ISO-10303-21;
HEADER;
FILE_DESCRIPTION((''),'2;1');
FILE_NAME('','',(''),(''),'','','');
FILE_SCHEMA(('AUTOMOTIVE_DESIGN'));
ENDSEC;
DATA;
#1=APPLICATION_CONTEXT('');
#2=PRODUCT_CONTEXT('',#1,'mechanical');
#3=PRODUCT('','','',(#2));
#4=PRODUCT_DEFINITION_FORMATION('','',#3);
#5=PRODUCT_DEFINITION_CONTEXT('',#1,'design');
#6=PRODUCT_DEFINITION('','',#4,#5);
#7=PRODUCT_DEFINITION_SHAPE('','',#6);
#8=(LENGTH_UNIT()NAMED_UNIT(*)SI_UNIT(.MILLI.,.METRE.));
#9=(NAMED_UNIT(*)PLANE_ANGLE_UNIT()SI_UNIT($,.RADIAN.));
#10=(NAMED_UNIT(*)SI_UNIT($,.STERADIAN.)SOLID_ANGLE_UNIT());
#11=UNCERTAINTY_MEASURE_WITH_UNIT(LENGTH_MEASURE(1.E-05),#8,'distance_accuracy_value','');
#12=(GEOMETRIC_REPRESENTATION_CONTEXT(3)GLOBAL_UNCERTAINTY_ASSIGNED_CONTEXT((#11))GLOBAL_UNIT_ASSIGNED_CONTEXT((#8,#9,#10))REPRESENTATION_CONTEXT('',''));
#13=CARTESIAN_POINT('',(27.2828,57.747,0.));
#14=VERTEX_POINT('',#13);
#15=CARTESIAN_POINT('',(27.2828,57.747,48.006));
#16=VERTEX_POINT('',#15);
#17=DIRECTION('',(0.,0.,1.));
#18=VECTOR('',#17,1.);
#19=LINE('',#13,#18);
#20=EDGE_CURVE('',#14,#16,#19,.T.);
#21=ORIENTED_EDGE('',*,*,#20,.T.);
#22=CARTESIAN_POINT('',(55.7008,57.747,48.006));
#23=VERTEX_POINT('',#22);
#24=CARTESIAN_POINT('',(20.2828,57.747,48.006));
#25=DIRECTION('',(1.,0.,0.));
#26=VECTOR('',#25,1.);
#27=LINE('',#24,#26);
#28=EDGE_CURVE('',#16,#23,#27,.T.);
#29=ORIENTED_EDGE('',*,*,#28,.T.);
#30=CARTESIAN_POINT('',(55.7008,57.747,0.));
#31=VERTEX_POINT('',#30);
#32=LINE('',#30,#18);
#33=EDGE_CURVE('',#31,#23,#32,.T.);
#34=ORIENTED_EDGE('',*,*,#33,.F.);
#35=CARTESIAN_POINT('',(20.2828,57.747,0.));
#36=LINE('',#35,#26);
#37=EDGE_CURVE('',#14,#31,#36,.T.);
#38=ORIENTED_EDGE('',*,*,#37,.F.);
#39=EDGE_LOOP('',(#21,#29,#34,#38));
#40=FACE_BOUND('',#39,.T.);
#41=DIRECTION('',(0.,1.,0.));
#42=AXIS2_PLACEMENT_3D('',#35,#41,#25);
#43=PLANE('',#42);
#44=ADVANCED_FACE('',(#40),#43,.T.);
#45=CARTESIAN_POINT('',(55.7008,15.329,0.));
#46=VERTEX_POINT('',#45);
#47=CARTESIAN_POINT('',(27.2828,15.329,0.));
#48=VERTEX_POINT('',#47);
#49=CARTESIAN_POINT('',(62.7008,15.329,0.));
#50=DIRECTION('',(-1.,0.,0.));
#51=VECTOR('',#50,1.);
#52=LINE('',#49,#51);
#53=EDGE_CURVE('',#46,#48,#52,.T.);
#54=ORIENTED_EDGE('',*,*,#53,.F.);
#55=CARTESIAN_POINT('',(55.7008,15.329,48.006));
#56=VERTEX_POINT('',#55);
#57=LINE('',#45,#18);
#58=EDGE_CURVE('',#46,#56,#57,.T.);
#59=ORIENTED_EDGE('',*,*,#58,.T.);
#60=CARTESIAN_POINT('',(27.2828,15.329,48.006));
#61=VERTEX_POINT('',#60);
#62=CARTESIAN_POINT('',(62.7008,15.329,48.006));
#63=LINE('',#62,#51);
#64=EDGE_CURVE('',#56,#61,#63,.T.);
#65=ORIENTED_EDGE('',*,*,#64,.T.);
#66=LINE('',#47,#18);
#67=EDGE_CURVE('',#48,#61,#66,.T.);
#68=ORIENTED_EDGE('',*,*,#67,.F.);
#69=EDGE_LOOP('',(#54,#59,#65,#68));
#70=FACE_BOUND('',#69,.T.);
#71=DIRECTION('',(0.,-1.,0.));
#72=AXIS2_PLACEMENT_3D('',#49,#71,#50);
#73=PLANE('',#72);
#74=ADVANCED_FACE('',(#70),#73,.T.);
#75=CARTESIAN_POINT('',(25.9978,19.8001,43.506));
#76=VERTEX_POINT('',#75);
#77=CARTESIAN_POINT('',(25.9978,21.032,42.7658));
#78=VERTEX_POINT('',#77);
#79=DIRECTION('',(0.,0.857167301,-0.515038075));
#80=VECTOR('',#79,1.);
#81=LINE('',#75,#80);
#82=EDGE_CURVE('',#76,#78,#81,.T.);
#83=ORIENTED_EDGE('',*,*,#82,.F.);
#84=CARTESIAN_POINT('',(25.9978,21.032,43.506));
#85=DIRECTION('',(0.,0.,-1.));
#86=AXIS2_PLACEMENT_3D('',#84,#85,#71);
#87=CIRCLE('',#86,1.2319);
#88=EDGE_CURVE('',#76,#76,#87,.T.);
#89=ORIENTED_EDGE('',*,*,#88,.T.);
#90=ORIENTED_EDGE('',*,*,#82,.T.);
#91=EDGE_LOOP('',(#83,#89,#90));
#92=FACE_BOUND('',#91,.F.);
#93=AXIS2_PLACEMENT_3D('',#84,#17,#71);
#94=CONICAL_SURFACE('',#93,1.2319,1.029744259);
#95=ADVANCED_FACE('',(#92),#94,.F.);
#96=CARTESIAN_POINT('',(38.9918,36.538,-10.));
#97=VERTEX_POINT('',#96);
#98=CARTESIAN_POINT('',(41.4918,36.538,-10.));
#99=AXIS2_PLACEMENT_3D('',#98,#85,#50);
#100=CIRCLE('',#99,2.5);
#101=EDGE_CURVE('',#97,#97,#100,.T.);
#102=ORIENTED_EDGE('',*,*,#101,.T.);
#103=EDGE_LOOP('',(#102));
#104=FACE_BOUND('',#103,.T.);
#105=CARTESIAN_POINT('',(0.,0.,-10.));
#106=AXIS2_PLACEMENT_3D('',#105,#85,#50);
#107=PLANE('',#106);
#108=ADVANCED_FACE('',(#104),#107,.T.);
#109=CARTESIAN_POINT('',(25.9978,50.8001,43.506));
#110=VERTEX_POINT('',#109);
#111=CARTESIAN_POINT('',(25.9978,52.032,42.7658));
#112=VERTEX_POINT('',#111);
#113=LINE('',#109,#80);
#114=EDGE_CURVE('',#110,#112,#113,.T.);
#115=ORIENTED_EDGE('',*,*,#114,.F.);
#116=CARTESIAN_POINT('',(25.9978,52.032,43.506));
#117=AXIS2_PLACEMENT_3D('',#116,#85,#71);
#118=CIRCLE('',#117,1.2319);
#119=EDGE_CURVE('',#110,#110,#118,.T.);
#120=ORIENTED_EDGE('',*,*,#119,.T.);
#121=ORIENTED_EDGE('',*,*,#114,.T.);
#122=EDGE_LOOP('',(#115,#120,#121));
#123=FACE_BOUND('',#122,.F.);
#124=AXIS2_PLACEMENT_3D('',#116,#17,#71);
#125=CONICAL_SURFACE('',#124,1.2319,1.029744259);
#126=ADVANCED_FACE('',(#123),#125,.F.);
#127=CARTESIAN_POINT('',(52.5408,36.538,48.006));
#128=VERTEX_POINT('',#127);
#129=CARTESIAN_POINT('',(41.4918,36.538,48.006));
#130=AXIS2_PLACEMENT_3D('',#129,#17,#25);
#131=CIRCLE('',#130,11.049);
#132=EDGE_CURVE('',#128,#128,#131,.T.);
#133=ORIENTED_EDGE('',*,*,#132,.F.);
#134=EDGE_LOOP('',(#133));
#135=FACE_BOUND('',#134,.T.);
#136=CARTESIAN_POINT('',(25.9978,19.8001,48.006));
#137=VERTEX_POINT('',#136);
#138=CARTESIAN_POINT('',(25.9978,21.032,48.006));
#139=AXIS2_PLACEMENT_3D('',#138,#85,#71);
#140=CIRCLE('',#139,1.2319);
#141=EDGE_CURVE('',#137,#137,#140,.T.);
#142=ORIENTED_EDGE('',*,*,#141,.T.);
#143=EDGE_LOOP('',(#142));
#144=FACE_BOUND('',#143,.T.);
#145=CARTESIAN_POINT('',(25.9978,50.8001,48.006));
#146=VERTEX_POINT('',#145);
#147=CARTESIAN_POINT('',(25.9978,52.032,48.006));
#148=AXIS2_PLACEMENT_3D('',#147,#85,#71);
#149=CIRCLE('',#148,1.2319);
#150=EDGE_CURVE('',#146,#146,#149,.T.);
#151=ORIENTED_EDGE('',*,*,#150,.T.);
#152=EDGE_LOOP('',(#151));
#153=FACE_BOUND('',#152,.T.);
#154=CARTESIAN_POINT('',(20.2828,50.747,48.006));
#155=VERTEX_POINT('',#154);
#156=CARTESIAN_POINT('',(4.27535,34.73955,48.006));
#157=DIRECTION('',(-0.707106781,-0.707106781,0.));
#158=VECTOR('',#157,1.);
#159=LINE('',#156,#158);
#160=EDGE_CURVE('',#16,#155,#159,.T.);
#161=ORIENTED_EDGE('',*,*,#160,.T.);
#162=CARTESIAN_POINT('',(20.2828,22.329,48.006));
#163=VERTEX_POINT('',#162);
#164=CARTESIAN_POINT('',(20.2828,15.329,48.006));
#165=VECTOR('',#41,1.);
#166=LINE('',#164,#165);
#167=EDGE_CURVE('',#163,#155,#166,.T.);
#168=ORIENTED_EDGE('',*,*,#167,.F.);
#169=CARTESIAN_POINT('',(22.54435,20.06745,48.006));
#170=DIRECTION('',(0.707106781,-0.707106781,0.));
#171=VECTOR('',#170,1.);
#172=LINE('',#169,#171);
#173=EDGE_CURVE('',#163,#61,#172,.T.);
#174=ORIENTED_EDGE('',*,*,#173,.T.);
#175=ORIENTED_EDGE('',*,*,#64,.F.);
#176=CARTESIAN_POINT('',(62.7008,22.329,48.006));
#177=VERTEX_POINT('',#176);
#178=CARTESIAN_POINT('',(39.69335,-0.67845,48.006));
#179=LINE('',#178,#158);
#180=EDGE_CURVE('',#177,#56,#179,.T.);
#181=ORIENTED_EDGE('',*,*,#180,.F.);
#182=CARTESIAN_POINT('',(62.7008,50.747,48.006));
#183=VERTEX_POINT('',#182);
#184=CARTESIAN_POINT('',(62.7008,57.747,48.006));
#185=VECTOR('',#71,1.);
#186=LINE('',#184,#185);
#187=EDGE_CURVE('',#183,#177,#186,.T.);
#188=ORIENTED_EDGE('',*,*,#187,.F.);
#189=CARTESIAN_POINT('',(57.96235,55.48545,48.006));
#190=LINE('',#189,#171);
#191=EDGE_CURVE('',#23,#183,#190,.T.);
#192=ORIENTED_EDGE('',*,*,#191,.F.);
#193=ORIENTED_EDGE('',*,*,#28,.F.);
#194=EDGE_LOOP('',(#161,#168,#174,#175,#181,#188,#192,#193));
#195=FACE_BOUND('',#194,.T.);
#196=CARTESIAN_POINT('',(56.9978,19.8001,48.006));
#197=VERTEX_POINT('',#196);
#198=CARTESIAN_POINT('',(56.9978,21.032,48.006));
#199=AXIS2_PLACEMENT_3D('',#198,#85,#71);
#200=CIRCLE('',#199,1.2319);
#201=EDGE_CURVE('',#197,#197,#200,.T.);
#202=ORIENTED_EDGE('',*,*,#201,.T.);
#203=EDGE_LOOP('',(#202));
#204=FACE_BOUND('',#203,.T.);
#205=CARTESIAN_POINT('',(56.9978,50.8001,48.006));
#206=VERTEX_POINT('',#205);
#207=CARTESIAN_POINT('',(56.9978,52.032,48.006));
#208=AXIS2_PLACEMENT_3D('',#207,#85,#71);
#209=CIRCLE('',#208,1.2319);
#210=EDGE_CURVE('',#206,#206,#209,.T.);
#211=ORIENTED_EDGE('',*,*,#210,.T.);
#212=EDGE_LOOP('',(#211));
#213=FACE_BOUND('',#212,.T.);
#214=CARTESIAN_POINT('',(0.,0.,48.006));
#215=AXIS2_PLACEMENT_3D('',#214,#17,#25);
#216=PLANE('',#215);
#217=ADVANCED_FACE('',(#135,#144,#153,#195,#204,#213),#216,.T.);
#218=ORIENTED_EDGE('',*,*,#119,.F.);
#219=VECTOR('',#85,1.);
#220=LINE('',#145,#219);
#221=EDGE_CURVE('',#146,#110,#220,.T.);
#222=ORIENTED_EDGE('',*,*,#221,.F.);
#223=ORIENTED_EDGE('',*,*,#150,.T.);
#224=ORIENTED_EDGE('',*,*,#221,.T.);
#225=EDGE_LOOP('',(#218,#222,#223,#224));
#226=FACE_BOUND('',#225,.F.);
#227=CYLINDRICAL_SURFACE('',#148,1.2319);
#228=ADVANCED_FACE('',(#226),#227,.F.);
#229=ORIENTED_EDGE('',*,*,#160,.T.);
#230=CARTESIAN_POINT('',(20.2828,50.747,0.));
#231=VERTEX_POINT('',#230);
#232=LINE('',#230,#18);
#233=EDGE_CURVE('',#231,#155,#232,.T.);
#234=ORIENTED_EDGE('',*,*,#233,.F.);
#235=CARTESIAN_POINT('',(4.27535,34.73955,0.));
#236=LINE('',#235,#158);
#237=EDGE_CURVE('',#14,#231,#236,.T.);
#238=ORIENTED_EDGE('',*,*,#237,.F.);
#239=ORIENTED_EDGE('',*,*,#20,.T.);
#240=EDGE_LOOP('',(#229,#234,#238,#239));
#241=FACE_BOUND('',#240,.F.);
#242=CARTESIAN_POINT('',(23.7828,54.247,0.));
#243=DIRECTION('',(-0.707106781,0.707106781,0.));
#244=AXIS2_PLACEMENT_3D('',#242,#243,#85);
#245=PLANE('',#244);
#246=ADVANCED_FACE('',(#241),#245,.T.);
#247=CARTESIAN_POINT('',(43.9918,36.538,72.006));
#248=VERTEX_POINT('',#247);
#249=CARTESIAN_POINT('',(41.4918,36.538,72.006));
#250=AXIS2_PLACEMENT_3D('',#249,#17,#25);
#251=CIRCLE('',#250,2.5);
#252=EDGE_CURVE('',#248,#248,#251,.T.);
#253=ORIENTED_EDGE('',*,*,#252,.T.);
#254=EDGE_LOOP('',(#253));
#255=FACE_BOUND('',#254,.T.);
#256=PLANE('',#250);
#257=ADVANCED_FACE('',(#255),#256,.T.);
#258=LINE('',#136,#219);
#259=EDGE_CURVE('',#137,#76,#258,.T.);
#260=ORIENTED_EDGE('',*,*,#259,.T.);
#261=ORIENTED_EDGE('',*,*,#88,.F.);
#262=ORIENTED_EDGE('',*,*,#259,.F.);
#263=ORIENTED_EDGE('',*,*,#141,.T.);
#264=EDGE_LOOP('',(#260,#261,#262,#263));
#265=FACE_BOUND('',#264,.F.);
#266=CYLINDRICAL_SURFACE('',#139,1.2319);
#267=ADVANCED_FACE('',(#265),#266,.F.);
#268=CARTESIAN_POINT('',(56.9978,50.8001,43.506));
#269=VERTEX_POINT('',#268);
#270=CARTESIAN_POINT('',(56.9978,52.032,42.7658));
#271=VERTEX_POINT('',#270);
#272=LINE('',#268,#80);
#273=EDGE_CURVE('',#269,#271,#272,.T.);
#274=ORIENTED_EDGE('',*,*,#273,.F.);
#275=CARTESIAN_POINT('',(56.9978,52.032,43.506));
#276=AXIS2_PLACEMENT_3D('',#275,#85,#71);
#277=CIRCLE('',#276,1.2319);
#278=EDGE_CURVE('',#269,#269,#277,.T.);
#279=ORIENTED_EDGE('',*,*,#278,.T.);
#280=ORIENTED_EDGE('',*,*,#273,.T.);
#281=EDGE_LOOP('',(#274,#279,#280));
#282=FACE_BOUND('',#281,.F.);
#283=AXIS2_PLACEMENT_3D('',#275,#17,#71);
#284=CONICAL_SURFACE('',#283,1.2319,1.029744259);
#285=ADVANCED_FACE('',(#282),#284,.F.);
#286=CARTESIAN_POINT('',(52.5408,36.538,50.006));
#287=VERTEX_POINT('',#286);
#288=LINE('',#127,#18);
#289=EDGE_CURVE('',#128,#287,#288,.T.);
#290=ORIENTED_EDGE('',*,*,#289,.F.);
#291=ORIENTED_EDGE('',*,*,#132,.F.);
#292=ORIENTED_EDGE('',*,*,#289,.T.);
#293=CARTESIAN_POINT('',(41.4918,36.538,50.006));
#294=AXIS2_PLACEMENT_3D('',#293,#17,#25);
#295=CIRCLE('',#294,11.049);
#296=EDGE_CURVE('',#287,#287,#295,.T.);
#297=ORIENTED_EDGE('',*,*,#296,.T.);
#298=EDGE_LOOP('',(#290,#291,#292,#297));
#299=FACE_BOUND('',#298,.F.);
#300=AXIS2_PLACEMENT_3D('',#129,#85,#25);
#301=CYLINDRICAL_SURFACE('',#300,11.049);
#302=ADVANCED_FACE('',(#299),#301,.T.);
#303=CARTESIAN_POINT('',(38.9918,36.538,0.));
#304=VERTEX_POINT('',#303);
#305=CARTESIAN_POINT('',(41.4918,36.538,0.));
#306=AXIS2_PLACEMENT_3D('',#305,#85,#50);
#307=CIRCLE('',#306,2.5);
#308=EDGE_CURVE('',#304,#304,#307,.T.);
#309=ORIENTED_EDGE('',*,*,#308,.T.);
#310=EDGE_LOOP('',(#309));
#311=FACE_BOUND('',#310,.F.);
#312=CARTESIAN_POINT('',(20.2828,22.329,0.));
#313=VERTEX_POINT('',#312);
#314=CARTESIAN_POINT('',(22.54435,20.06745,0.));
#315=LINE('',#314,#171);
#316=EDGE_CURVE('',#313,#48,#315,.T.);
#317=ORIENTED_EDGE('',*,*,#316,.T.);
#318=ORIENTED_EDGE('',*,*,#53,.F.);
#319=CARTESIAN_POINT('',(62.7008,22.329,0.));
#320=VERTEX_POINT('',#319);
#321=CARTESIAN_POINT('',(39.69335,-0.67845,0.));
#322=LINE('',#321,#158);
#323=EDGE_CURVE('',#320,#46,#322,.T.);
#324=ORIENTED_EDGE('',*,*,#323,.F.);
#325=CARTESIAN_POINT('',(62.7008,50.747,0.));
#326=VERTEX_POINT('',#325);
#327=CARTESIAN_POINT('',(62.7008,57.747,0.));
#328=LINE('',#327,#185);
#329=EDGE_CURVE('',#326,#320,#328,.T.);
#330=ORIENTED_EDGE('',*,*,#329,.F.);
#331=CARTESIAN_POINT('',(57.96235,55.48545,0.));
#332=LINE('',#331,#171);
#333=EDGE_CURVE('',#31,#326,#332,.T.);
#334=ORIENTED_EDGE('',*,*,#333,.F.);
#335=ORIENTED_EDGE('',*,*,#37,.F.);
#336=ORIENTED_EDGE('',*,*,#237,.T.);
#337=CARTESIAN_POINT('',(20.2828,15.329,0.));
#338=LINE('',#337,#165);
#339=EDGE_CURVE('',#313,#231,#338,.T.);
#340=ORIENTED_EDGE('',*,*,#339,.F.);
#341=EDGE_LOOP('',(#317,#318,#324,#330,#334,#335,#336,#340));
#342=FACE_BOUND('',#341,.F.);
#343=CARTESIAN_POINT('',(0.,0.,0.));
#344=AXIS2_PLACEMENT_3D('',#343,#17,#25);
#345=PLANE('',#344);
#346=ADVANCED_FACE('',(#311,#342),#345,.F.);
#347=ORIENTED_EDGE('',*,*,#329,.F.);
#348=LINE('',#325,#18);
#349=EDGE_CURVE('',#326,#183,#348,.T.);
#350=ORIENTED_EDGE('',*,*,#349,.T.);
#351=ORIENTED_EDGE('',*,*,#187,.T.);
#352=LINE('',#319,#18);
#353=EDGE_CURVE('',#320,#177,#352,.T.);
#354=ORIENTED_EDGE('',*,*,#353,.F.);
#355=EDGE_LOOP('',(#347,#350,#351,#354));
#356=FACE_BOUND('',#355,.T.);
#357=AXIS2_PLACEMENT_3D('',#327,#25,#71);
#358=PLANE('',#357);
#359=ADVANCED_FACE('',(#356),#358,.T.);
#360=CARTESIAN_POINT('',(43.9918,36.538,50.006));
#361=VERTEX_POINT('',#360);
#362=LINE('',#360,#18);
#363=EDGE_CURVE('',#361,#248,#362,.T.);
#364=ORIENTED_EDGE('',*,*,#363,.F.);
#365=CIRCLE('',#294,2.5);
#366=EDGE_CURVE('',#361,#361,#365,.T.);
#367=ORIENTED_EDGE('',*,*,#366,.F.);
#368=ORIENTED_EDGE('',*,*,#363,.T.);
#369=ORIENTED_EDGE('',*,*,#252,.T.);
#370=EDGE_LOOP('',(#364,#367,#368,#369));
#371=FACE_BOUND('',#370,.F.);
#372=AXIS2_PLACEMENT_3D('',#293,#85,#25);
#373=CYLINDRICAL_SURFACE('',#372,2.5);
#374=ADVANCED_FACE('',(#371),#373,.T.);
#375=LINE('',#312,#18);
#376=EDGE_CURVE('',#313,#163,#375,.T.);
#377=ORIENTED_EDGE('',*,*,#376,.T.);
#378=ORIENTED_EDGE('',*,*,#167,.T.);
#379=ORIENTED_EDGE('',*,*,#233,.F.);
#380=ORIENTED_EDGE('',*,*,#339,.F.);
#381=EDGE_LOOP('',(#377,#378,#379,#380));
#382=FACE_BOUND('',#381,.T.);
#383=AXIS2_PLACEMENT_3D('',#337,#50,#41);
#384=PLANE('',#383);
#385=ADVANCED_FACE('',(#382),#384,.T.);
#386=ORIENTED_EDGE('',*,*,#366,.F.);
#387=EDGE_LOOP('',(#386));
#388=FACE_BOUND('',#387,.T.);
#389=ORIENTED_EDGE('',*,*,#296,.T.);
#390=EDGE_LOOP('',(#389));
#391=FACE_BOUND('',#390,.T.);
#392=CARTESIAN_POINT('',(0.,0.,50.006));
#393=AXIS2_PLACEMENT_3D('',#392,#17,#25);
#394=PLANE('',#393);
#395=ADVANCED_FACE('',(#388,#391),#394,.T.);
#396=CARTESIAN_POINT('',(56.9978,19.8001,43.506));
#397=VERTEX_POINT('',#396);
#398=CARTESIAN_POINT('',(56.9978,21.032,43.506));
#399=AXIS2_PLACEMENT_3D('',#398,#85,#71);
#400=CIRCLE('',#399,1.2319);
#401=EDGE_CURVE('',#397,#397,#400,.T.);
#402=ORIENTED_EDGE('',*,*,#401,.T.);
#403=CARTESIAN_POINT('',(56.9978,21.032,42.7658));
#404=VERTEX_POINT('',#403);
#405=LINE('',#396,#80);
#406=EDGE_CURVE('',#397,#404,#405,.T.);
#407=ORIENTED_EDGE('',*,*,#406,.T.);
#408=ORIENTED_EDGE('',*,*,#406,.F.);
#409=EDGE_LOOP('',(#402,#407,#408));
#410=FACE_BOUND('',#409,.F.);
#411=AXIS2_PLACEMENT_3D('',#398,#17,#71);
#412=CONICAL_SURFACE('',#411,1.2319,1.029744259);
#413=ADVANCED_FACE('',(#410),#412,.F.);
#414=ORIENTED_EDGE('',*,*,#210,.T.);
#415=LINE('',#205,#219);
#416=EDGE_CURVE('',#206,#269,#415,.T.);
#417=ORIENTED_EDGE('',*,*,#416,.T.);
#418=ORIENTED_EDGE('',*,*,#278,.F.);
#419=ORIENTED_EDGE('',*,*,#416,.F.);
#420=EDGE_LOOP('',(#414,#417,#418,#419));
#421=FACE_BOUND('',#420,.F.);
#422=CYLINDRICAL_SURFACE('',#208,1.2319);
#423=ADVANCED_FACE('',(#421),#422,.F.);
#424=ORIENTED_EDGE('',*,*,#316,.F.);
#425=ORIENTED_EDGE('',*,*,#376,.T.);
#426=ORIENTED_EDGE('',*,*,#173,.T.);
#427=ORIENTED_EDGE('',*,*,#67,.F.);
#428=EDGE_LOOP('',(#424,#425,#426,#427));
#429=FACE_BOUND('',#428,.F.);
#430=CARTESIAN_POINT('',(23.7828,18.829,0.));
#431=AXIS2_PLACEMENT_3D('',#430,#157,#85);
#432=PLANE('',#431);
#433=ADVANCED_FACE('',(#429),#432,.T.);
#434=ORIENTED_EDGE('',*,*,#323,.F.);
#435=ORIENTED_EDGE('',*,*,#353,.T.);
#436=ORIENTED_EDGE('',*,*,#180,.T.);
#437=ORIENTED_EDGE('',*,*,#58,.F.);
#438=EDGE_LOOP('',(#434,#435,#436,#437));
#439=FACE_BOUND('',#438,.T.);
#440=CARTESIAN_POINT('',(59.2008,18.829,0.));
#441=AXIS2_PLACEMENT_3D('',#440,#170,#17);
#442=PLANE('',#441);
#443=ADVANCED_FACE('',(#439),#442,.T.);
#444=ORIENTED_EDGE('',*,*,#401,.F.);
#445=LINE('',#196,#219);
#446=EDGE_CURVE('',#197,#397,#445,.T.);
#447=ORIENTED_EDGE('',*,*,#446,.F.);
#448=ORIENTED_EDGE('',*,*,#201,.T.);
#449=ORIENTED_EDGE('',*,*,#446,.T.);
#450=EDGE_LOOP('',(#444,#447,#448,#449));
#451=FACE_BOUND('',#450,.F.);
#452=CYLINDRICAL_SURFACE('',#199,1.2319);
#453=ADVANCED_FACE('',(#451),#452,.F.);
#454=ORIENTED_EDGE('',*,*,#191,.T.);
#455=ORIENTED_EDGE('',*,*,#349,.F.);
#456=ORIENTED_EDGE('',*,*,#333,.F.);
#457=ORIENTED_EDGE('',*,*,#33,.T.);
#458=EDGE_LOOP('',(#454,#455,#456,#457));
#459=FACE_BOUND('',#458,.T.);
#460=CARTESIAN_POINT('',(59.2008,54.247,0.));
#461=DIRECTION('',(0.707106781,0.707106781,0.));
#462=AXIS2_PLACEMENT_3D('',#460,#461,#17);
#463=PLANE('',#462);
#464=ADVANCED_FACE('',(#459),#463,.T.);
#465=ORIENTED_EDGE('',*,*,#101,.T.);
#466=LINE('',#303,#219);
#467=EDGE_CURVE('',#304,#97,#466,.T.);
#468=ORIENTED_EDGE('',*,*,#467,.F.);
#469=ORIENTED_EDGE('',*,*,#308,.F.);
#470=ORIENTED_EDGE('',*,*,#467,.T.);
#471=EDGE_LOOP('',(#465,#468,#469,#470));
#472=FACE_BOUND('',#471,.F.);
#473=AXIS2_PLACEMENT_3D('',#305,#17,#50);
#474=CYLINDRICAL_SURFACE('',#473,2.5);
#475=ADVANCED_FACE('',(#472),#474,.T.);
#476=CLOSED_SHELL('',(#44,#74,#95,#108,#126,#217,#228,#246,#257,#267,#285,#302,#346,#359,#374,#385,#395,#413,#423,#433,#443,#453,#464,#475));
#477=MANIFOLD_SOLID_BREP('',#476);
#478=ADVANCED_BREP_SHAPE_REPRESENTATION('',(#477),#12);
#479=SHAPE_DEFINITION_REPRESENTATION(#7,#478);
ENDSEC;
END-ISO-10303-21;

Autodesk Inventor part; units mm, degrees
ref_plane "YZ Plane" through (0, 0, 0) normal (1, 0, 0) x (0, 1, 0)
ref_plane "XZ Plane" through (0, 0, 0) normal (0, 1, 0) x (-1, 0, 0)
ref_plane "XY Plane" through (0, 0, 0) normal (0, 0, 1) x (1, 0, 0)
sketch "Sketch1" plane through (0, 0, 0) normal (0, 0, 1) x (1, 0, 0)
  line L0 (20.2828, 57.747) -> (62.7008, 57.747)
  line L1 (62.7008, 57.747) -> (62.7008, 15.329)
  line L2 (62.7008, 15.329) -> (20.2828, 15.329)
  line L3 (20.2828, 15.329) -> (20.2828, 57.747)
  dimension "d0" = 42.418
  dimension "d1" = 42.418
extrude "Extrusion1" add sketch "Sketch1" along normal blind 48.006
sketch "Sketch2" plane through (0, 0, 48.006) normal (0, 0, 1) x (1, 0, 0)
  line L0 (20.2828, 57.747) -> (62.7008, 57.747) projected
  line L1 (20.2828, 15.329) -> (20.2828, 57.747) projected
  circle A0 centre (25.9978, 52.032) radius 1.5
  dimension "d4" = 3
  dimension "d5" = 5.715
  dimension "d6" = 5.715
hole "Hole1" at (25.9978, 52.032, 48.006) direction (0, 0, -1) diameter 2.4638 depth 4.5 tip angle 118
pattern_linear "Rectangular Pattern1" count 2 spacing 31 along (1, 0, 0) count 2 spacing 31 along (0, -1, 0) of "Hole1"
sketch "Sketch3" plane through (0, 0, 48.006) normal (0, 0, 1) x (1, 0, 0)
  circle A0 centre (41.4918, 36.538) radius 11.049
  dimension "d20" = 22.098
extrude "Extrusion2" add sketch "Sketch3" along normal blind 2
sketch "Sketch4" plane through (41.4918, 36.538, 50.006) normal (0, 0, 1) x (1, 0, 0)
  circle A0 centre (0, 0) radius 11.049 projected
  circle A1 centre (0, 0) radius 2.5
  dimension "d23" = 5
extrude "Extrusion3" add sketch "Sketch4" along normal blind 22 contours A1
chamfer "Chamfer1" distance 7 angle 45 4 edges at (62.7008, 57.747, 24.003) (20.2828, 57.747, 24.003) (20.2828, 15.329, 24.003) (62.7008, 15.329, 24.003)
sketch "Sketch5" plane through (0, 0, 0) normal (0, 0, -1) x (-1, 0, 0)
  line L0 (-27.2828, 57.747) -> (-55.7008, 57.747) projected
  line L1 (-62.7008, 50.747) -> (-62.7008, 22.329) projected
  circle A0 centre (-41.4918, 36.538) radius 2.5
  dimension "d29" = 5
  dimension "d30" = 21.209
  dimension "d31" = 21.209
extrude "Extrusion4" add sketch "Sketch5" along normal blind 10
properties part number "SM-E01" material "Aluminum-6061"
